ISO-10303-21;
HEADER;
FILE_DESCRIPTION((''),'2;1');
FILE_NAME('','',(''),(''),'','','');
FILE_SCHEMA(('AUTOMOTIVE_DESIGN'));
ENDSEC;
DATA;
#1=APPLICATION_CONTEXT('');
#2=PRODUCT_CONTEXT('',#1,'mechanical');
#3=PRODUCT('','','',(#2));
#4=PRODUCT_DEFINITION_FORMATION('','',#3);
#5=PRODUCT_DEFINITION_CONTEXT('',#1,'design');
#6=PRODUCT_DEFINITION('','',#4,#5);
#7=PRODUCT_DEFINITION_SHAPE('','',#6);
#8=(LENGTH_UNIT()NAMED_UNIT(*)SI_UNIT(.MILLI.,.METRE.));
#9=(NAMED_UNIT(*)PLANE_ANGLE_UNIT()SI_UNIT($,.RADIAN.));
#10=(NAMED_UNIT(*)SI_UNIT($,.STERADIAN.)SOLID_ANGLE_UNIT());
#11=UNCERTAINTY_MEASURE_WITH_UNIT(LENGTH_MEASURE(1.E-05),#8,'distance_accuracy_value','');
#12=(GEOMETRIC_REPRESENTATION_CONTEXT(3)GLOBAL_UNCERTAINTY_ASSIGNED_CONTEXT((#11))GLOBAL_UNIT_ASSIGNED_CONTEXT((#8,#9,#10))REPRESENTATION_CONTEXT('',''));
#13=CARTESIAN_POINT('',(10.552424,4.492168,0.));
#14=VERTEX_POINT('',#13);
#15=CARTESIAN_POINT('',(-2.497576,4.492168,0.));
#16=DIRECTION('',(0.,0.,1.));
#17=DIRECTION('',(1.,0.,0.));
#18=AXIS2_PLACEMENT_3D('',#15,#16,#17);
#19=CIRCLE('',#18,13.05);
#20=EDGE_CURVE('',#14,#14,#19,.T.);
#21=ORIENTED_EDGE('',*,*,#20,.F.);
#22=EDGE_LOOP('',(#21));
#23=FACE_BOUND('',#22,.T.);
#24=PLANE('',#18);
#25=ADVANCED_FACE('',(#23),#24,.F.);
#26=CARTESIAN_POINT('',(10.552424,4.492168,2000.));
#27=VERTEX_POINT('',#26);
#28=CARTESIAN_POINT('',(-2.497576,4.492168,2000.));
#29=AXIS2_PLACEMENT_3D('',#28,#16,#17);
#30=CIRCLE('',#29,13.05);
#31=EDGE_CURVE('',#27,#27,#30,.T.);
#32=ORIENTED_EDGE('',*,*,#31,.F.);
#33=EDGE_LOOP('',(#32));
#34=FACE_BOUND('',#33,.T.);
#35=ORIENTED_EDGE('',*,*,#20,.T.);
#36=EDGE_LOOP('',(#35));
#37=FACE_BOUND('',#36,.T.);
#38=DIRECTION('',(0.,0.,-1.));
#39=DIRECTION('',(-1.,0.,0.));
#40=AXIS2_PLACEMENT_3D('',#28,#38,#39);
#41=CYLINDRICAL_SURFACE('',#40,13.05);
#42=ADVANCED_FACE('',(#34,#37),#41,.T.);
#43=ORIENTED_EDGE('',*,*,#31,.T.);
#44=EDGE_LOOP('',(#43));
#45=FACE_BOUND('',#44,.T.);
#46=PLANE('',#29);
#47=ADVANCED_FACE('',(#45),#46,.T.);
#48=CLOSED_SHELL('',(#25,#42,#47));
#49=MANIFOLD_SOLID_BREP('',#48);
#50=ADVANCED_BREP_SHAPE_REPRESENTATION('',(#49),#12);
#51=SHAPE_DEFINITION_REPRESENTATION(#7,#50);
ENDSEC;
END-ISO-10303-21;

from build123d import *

# Parameters (mm, degrees)
SKETCH_1_R      = 13.05
EXTRUDE_1_DEPTH = 2000


with BuildPart() as part:
    # 草图1 → 凸台-拉伸1 (new body)
    with BuildSketch(Plane.XY):
        with Locations((-2.497576243, 4.492168382)):
            Circle(SKETCH_1_R)
    extrude(amount=EXTRUDE_1_DEPTH)


solid = part.part
